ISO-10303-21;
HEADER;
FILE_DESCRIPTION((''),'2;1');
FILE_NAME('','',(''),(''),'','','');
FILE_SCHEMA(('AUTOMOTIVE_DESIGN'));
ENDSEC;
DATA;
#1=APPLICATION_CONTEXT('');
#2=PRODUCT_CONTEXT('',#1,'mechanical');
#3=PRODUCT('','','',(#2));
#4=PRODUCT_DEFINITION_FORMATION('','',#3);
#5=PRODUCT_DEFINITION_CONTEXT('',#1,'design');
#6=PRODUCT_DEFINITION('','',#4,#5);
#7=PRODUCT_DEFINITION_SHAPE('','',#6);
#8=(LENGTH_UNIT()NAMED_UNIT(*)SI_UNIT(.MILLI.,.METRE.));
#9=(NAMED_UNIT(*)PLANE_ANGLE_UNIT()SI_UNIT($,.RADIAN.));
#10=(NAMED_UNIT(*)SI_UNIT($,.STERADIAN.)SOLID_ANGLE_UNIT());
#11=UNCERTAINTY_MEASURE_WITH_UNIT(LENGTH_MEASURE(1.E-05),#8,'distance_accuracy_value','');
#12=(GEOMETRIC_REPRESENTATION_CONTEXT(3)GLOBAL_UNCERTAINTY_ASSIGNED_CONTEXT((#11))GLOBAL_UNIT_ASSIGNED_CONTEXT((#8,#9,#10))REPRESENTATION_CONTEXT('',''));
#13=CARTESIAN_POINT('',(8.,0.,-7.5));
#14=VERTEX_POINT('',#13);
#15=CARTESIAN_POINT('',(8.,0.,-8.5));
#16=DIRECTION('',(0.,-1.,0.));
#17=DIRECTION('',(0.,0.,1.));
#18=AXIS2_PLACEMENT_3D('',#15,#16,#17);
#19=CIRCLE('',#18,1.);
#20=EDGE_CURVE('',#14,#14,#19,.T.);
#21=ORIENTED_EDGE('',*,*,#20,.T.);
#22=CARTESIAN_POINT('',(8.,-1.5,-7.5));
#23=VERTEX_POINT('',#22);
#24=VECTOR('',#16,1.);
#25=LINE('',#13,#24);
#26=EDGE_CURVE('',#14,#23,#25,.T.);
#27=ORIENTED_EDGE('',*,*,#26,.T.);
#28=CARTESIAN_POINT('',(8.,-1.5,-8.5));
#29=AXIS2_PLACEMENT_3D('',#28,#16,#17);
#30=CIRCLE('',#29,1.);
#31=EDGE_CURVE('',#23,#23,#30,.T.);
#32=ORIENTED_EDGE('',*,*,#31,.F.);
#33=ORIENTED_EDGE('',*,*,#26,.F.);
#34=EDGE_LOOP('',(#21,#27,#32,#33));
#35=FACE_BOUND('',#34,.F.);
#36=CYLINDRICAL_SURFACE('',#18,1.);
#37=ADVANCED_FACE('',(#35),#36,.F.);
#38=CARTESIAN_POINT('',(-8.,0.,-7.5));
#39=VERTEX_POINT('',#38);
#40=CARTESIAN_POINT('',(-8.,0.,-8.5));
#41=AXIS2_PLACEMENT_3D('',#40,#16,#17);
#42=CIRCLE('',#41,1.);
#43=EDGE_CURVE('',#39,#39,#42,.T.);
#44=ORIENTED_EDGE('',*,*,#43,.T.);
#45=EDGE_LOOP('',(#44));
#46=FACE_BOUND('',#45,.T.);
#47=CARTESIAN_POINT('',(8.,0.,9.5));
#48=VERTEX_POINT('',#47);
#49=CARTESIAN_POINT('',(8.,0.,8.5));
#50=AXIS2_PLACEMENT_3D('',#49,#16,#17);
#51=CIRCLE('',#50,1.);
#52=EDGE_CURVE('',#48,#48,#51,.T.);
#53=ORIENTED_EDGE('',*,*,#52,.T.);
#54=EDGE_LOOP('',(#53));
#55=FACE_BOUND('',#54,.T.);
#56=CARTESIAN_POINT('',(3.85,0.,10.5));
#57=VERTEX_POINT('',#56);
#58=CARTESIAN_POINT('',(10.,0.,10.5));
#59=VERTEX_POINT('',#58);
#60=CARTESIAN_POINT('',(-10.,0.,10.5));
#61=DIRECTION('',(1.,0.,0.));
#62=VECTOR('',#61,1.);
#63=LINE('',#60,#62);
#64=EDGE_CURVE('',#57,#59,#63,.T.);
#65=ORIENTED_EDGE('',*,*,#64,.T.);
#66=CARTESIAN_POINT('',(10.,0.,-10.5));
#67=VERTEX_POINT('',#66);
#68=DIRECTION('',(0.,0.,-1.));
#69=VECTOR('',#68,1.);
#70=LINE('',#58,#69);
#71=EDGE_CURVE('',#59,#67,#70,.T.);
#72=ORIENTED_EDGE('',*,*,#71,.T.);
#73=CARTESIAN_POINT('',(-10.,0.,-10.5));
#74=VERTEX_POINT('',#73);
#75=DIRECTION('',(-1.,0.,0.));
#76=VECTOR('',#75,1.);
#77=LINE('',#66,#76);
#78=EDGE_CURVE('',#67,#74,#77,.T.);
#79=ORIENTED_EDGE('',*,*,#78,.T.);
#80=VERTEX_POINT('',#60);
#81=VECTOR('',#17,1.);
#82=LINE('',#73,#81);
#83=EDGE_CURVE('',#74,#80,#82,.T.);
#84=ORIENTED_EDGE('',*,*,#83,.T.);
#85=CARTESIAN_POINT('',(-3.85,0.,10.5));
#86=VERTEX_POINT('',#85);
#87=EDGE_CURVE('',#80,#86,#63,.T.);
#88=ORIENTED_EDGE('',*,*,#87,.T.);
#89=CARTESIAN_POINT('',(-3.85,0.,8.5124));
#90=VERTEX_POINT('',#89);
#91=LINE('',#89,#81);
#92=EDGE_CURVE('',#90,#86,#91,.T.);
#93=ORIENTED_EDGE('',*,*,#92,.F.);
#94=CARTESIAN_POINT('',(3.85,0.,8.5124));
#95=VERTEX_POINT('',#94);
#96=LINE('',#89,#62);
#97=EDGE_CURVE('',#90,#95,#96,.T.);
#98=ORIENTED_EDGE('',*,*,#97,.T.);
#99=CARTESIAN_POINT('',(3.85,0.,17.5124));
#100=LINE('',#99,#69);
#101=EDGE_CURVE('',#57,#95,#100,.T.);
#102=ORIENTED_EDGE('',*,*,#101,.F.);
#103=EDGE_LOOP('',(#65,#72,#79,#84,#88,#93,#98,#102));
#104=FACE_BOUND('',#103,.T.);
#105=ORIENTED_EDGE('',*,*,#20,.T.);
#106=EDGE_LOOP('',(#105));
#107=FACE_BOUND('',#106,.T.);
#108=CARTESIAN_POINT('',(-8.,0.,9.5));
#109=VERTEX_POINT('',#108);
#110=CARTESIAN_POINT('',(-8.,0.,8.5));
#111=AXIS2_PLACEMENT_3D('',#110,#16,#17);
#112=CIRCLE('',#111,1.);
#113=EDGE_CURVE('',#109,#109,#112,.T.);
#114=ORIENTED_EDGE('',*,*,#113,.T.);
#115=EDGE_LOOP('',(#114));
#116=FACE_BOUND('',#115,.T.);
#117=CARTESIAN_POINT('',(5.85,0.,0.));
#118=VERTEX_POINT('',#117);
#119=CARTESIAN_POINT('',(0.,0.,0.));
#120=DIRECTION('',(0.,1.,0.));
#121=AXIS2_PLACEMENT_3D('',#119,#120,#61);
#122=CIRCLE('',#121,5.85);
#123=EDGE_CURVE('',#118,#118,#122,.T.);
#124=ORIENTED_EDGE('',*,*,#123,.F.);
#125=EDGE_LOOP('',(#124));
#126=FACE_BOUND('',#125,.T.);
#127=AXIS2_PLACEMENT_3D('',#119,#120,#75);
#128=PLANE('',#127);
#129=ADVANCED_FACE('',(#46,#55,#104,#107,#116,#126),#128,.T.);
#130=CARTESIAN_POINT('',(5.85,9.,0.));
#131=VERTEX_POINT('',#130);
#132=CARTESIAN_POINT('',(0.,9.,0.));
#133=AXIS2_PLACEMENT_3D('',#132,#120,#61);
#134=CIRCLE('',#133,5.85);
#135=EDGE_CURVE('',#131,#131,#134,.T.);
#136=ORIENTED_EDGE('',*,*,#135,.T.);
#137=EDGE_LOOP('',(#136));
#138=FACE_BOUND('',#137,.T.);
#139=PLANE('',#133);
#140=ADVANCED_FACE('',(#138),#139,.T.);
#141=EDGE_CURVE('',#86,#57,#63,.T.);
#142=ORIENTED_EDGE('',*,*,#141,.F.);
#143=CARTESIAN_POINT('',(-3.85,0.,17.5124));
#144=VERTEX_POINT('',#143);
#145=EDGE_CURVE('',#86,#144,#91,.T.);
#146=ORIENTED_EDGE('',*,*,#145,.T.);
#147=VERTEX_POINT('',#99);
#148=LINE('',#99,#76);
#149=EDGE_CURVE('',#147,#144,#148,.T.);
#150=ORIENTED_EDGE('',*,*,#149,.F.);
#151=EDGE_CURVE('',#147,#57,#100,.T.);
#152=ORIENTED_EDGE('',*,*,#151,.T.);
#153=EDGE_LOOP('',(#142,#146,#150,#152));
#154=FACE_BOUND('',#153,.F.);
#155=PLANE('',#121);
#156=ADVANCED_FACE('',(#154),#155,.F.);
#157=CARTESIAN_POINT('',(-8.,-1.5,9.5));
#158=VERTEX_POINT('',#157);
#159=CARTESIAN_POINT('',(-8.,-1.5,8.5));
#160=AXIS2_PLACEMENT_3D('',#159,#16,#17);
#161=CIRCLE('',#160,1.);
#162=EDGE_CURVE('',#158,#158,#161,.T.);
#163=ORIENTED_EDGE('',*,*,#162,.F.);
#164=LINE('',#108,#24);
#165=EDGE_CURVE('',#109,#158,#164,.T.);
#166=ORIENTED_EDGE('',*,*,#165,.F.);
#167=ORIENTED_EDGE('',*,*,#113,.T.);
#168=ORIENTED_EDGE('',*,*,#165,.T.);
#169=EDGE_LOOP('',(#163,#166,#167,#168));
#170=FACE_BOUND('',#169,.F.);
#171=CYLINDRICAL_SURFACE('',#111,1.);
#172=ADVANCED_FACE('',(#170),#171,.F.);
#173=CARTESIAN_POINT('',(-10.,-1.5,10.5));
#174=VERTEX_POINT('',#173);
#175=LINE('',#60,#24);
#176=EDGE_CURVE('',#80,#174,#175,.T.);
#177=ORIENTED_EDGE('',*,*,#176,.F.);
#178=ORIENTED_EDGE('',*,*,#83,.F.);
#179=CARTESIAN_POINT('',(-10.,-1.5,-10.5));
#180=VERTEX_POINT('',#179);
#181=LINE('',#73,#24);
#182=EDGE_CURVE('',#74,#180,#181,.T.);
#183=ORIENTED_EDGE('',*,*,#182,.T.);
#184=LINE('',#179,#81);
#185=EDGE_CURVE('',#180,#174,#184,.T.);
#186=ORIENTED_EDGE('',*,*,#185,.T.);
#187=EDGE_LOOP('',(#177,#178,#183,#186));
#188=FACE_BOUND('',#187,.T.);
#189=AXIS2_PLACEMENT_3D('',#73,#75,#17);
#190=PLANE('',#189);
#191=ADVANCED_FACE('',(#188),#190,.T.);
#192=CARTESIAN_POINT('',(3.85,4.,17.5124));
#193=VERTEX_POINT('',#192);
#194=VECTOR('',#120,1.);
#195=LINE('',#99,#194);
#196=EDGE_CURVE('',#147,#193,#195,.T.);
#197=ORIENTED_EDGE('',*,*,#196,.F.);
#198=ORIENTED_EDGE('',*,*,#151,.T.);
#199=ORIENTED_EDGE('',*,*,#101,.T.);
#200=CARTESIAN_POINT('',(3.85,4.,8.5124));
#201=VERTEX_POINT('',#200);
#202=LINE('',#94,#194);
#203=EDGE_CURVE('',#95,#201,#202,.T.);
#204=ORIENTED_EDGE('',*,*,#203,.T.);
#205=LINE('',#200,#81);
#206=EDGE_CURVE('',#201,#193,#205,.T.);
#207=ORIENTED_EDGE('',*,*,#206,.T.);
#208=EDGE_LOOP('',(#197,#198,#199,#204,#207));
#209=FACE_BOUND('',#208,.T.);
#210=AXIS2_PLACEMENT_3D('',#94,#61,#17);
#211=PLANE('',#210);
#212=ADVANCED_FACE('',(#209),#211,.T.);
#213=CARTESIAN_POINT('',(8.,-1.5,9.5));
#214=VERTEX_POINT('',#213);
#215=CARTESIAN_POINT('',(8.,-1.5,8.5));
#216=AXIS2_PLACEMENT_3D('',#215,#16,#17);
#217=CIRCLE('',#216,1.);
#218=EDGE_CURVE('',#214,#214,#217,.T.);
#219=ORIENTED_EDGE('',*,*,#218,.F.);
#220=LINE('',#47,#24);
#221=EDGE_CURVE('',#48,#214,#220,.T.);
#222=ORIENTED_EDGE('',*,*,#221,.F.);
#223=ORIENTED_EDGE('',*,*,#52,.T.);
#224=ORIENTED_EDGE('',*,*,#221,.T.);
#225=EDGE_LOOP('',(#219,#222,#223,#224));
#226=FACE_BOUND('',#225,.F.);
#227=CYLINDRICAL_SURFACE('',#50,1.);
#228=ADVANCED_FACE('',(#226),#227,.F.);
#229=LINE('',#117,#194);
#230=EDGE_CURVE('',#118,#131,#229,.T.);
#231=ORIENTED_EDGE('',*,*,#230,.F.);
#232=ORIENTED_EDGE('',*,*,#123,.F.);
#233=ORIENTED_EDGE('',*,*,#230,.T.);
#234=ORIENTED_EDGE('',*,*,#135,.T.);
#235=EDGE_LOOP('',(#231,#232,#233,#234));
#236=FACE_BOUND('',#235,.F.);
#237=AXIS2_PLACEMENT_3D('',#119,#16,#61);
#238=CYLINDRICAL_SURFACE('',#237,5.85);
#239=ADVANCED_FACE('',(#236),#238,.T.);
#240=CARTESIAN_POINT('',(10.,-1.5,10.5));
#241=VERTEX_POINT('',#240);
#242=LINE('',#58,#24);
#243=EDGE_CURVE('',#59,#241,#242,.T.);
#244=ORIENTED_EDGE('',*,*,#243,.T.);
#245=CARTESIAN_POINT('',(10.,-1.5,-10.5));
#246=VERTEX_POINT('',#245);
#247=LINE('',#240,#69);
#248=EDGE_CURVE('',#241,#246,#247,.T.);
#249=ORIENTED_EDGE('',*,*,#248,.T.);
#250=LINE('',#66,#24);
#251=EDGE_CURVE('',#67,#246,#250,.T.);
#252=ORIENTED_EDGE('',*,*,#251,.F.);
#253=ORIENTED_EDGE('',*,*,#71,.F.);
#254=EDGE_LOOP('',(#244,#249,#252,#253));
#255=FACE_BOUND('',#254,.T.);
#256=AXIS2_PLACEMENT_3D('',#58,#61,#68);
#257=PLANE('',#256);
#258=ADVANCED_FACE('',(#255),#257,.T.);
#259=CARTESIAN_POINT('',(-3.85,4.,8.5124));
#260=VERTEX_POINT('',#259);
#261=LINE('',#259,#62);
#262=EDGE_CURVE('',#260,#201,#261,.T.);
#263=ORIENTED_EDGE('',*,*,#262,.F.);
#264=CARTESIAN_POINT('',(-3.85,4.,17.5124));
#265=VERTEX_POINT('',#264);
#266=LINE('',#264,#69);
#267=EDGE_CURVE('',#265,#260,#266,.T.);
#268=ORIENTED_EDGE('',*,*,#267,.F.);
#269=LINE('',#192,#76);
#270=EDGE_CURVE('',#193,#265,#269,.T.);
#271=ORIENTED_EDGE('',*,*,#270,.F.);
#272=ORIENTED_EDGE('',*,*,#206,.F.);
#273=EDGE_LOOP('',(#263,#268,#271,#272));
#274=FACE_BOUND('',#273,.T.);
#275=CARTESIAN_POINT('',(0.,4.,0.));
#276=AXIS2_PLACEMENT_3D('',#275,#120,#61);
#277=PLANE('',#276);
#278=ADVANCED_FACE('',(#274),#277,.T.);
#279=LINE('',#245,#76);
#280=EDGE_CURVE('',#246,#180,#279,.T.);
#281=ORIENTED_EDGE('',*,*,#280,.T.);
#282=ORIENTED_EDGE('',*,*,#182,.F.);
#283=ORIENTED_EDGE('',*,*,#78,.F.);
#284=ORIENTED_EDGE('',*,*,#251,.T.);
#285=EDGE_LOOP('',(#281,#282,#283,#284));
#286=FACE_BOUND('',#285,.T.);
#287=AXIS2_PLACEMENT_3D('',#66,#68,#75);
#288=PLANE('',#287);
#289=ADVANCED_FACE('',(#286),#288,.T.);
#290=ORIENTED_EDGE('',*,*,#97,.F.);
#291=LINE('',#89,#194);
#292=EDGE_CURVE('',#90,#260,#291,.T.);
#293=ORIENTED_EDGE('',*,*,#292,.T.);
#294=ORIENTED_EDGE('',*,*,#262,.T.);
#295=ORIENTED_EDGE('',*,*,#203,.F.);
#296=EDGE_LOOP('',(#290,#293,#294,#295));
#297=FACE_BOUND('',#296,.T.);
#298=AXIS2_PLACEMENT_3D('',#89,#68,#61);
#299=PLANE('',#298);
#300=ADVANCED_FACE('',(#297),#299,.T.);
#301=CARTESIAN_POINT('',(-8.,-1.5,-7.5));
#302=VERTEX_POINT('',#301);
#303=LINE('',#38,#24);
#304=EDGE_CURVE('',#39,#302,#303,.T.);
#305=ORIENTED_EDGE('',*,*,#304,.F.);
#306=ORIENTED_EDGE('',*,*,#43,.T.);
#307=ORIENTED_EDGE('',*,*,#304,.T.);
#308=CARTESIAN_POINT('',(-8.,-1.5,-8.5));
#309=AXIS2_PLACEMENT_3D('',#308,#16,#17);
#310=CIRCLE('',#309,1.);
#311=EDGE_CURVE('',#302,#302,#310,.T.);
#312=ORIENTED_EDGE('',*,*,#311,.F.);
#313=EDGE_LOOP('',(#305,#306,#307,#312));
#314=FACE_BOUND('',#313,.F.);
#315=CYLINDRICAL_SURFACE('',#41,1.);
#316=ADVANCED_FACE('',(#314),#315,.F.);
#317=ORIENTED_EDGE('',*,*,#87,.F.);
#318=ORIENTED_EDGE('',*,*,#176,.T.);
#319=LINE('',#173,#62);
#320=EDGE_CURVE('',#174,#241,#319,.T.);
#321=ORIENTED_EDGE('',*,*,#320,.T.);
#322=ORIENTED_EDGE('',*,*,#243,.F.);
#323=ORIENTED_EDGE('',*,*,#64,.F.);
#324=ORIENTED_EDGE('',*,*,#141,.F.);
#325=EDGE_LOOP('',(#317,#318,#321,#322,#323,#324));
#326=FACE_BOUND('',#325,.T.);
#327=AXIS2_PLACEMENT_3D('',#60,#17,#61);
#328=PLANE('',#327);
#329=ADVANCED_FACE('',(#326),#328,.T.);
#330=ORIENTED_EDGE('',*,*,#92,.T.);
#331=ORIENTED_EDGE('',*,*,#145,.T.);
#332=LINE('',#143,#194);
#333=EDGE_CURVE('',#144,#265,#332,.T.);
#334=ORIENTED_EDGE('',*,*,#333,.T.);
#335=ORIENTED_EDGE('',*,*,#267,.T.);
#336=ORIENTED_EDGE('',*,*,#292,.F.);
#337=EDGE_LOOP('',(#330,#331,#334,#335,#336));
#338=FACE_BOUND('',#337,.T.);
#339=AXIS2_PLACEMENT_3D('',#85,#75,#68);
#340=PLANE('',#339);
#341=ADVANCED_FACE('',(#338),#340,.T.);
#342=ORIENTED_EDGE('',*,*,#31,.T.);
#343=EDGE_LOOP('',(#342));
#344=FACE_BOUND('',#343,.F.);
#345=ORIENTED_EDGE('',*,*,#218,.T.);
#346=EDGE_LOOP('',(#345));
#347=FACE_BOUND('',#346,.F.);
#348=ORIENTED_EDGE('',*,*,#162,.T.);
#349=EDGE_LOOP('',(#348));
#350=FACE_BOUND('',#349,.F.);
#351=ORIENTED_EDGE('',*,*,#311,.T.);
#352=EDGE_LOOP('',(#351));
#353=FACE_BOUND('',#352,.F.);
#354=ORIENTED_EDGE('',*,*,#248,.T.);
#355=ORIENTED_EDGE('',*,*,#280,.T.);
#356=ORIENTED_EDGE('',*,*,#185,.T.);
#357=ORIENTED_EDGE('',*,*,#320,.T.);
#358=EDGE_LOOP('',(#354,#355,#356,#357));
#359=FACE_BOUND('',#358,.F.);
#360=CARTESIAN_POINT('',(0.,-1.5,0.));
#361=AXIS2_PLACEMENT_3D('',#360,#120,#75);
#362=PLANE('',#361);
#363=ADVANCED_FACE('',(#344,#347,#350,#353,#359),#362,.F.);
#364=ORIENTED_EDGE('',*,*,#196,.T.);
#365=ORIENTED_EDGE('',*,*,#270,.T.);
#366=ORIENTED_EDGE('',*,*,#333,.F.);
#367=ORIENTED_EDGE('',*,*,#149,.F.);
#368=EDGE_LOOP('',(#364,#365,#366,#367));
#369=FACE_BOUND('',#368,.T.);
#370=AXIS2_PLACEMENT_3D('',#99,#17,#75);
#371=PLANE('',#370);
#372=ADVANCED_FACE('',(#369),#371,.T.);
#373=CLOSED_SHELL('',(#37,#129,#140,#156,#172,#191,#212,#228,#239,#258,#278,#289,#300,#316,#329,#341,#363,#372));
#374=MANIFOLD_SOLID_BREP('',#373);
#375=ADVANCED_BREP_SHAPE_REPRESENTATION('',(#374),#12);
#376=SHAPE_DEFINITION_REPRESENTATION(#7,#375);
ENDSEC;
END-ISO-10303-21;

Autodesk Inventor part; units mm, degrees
ref_plane "YZ Plane" through (0, 0, 0) normal (1, 0, 0) x (0, 1, 0)
ref_plane "XZ Plane" through (0, 0, 0) normal (0, 1, 0) x (-1, 0, 0)
ref_plane "XY Plane" through (0, 0, 0) normal (0, 0, 1) x (1, 0, 0)
sketch "Sketch1" plane through (0, 0, 0) normal (0, 1, 0) x (-1, 0, 0)
  line L0 (10, 10.5) -> (-10, 10.5)
  line L1 (-10, 10.5) -> (-10, -10.5)
  line L2 (-10, -10.5) -> (10, -10.5)
  line L3 (10, -10.5) -> (10, 10.5)
  line L4 (10, 10.5) -> (-10, -10.5) construction
  line L5 (-10, 10.5) -> (10, -10.5) construction
  line L6 (8, 8.5) -> (-8, 8.5)
  line L7 (-8, 8.5) -> (-8, -8.5)
  line L8 (-8, -8.5) -> (8, -8.5)
  line L9 (8, -8.5) -> (8, 8.5)
  point P0 (0, 0)
  dimension "d0" = 20
  dimension "d1" = 21
  dimension "d2" = 2
extrude "Extrusion1" add sketch "Sketch1" against normal blind 1.5 contours L3 L2 L1 L0 | L9 L8 L7 L6
hole "Hole1" at (-8, 0, 8.5) at (-8, 0, -8.5) at (8, 0, -8.5) at (8, 0, 8.5) direction (0, -1, 0) diameter 2 end through all
sketch "Sketch2" plane through (0, 0, 0) normal (0, 1, 0) x (1, 0, 0)
  line L0 (-3.85, -8.5124) -> (3.85, -8.5124)
  line L1 (3.85, -8.5124) -> (3.85, -17.5124)
  line L2 (3.85, -17.5124) -> (-3.85, -17.5124)
  line L3 (-3.85, -17.5124) -> (-3.85, -8.5124)
  line L4 (-3.85, -8.5124) -> (3.85, -17.5124) construction
  line L5 (3.85, -8.5124) -> (-3.85, -17.5124) construction
  line L6 (-10, -10.5) -> (10, -10.5) projected
  line L7 (-10, 10.5) -> (-10, -10.5) projected
  point P0 (0, 0)
  point P1 (0, -13.0124)
  point P2 (0, -8.5124)
  point P3 (0, -8.5124)
  dimension "d12" = 7.7
  dimension "d13" = 9
  dimension "d14" = 1.9876
  dimension "d15" = 10
extrude "Extrusion2" add sketch "Sketch2" along normal blind 4
sketch "Sketch3" plane through (0, 0, 0) normal (0, 1, 0) x (1, 0, 0)
  circle A0 centre (0, 0) radius 5.85
  dimension "d18" = 11.7
extrude "Extrusion3" add sketch "Sketch3" along normal blind 9
properties part number "buzzer_footprint"
